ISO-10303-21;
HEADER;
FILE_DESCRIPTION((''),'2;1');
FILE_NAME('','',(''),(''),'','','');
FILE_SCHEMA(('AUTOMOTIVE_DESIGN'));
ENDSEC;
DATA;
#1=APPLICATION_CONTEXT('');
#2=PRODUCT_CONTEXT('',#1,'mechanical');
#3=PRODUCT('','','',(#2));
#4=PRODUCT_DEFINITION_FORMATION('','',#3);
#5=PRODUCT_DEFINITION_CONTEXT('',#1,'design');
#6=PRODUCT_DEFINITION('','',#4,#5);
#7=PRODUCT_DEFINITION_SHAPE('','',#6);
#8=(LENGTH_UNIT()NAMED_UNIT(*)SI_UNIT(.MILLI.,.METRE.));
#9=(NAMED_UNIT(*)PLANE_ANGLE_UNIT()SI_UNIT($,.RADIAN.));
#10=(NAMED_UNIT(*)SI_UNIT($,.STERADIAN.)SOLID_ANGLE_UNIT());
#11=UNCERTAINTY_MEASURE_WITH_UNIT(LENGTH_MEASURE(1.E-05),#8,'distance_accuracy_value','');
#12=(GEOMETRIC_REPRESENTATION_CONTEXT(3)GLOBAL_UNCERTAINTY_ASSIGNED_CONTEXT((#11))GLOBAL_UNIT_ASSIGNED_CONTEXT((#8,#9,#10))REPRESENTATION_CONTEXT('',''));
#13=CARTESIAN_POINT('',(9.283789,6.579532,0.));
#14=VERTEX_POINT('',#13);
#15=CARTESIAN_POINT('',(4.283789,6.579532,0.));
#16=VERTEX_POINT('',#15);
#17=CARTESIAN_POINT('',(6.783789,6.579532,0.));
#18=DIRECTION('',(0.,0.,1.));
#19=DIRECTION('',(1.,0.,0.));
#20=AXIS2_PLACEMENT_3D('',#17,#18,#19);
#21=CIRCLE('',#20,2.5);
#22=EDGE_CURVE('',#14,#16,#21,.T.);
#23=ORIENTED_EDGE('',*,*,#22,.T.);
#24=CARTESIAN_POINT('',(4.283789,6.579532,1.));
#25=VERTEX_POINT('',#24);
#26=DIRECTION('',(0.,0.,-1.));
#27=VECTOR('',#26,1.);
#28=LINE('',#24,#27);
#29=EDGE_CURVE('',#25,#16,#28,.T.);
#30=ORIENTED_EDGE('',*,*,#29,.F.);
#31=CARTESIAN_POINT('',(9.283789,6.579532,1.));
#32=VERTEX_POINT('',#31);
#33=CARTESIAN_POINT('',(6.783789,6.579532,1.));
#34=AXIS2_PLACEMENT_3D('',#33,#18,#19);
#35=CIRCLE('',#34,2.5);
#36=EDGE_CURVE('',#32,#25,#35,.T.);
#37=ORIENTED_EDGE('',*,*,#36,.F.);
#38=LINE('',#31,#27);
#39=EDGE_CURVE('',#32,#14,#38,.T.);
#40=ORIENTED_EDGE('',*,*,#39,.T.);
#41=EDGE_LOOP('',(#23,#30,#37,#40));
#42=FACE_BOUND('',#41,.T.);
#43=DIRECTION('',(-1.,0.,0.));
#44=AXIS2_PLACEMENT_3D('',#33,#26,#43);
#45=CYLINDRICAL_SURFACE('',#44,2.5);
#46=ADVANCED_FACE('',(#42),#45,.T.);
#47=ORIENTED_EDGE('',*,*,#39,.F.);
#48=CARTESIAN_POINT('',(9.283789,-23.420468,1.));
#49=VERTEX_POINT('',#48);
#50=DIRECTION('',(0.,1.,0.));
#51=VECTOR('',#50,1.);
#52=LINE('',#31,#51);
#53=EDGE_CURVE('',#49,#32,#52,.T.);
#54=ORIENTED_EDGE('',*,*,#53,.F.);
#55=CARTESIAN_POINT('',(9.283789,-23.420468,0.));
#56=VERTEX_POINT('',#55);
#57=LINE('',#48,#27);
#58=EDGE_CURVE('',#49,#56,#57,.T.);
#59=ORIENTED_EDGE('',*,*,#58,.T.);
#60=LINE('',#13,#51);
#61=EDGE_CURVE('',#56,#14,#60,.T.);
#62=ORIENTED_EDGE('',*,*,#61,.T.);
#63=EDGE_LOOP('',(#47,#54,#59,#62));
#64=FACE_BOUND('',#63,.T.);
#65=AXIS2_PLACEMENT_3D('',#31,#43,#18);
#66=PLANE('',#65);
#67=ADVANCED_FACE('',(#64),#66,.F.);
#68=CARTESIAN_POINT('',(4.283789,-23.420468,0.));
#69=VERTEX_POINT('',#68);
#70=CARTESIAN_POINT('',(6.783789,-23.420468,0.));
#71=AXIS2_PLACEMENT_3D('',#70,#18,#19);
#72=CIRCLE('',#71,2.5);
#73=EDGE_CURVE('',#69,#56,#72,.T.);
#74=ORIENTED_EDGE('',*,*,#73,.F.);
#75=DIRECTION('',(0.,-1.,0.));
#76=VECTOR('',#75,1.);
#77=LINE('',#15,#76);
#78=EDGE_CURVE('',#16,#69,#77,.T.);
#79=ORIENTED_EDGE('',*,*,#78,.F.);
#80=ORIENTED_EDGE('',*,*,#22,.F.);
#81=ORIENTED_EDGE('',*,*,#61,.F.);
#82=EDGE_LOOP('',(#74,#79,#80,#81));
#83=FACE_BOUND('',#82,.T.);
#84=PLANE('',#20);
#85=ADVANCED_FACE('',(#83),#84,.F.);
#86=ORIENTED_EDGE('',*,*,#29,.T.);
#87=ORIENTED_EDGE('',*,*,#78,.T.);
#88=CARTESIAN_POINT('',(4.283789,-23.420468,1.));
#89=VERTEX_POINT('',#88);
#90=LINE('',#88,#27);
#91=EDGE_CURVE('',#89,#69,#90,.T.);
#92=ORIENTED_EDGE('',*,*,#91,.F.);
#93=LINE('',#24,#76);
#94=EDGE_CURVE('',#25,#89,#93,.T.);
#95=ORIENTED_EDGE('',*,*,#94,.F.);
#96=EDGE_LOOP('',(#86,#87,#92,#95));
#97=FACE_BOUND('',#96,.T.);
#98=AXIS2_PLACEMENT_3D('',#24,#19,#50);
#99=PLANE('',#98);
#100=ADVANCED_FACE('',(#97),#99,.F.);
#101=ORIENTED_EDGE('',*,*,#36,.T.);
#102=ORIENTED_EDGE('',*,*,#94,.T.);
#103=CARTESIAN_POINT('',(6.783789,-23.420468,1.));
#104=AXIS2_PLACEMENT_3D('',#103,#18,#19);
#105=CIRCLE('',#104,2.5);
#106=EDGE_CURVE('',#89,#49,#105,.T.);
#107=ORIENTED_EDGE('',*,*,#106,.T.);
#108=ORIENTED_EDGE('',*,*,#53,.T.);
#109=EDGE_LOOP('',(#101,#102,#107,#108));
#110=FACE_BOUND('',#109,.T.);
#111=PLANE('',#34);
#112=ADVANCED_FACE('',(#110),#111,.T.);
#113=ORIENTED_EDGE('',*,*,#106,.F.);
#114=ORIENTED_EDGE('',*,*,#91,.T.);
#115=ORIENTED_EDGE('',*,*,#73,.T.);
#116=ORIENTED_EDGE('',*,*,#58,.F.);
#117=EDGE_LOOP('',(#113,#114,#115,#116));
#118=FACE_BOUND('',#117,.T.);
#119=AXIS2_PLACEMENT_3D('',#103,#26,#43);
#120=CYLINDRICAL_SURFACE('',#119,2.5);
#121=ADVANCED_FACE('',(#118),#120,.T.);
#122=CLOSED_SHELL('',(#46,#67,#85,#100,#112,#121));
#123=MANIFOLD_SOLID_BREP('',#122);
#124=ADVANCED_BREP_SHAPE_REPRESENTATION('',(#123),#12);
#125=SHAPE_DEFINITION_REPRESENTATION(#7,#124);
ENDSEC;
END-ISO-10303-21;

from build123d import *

# Parameters (mm, degrees)
BOSS_EXTRUDE1_DEPTH = 1


with BuildPart() as part:
    # Sketch1 → Boss-Extrude1 (new body)
    with BuildSketch(Plane.XY):
        with BuildLine():
            Line((9.283789279, 6.579531591), (9.283789279, -23.420468409))
            ThreePointArc((9.283789279, -23.420468409), (6.783789279, -25.920468409), (4.283789279, -23.420468409))
            Line((4.283789279, -23.420468409), (4.283789279, 6.579531591))
            ThreePointArc((4.283789279, 6.579531591), (6.783789279, 9.079531591), (9.283789279, 6.579531591))
        make_face()
    extrude(amount=BOSS_EXTRUDE1_DEPTH)


solid = part.part
